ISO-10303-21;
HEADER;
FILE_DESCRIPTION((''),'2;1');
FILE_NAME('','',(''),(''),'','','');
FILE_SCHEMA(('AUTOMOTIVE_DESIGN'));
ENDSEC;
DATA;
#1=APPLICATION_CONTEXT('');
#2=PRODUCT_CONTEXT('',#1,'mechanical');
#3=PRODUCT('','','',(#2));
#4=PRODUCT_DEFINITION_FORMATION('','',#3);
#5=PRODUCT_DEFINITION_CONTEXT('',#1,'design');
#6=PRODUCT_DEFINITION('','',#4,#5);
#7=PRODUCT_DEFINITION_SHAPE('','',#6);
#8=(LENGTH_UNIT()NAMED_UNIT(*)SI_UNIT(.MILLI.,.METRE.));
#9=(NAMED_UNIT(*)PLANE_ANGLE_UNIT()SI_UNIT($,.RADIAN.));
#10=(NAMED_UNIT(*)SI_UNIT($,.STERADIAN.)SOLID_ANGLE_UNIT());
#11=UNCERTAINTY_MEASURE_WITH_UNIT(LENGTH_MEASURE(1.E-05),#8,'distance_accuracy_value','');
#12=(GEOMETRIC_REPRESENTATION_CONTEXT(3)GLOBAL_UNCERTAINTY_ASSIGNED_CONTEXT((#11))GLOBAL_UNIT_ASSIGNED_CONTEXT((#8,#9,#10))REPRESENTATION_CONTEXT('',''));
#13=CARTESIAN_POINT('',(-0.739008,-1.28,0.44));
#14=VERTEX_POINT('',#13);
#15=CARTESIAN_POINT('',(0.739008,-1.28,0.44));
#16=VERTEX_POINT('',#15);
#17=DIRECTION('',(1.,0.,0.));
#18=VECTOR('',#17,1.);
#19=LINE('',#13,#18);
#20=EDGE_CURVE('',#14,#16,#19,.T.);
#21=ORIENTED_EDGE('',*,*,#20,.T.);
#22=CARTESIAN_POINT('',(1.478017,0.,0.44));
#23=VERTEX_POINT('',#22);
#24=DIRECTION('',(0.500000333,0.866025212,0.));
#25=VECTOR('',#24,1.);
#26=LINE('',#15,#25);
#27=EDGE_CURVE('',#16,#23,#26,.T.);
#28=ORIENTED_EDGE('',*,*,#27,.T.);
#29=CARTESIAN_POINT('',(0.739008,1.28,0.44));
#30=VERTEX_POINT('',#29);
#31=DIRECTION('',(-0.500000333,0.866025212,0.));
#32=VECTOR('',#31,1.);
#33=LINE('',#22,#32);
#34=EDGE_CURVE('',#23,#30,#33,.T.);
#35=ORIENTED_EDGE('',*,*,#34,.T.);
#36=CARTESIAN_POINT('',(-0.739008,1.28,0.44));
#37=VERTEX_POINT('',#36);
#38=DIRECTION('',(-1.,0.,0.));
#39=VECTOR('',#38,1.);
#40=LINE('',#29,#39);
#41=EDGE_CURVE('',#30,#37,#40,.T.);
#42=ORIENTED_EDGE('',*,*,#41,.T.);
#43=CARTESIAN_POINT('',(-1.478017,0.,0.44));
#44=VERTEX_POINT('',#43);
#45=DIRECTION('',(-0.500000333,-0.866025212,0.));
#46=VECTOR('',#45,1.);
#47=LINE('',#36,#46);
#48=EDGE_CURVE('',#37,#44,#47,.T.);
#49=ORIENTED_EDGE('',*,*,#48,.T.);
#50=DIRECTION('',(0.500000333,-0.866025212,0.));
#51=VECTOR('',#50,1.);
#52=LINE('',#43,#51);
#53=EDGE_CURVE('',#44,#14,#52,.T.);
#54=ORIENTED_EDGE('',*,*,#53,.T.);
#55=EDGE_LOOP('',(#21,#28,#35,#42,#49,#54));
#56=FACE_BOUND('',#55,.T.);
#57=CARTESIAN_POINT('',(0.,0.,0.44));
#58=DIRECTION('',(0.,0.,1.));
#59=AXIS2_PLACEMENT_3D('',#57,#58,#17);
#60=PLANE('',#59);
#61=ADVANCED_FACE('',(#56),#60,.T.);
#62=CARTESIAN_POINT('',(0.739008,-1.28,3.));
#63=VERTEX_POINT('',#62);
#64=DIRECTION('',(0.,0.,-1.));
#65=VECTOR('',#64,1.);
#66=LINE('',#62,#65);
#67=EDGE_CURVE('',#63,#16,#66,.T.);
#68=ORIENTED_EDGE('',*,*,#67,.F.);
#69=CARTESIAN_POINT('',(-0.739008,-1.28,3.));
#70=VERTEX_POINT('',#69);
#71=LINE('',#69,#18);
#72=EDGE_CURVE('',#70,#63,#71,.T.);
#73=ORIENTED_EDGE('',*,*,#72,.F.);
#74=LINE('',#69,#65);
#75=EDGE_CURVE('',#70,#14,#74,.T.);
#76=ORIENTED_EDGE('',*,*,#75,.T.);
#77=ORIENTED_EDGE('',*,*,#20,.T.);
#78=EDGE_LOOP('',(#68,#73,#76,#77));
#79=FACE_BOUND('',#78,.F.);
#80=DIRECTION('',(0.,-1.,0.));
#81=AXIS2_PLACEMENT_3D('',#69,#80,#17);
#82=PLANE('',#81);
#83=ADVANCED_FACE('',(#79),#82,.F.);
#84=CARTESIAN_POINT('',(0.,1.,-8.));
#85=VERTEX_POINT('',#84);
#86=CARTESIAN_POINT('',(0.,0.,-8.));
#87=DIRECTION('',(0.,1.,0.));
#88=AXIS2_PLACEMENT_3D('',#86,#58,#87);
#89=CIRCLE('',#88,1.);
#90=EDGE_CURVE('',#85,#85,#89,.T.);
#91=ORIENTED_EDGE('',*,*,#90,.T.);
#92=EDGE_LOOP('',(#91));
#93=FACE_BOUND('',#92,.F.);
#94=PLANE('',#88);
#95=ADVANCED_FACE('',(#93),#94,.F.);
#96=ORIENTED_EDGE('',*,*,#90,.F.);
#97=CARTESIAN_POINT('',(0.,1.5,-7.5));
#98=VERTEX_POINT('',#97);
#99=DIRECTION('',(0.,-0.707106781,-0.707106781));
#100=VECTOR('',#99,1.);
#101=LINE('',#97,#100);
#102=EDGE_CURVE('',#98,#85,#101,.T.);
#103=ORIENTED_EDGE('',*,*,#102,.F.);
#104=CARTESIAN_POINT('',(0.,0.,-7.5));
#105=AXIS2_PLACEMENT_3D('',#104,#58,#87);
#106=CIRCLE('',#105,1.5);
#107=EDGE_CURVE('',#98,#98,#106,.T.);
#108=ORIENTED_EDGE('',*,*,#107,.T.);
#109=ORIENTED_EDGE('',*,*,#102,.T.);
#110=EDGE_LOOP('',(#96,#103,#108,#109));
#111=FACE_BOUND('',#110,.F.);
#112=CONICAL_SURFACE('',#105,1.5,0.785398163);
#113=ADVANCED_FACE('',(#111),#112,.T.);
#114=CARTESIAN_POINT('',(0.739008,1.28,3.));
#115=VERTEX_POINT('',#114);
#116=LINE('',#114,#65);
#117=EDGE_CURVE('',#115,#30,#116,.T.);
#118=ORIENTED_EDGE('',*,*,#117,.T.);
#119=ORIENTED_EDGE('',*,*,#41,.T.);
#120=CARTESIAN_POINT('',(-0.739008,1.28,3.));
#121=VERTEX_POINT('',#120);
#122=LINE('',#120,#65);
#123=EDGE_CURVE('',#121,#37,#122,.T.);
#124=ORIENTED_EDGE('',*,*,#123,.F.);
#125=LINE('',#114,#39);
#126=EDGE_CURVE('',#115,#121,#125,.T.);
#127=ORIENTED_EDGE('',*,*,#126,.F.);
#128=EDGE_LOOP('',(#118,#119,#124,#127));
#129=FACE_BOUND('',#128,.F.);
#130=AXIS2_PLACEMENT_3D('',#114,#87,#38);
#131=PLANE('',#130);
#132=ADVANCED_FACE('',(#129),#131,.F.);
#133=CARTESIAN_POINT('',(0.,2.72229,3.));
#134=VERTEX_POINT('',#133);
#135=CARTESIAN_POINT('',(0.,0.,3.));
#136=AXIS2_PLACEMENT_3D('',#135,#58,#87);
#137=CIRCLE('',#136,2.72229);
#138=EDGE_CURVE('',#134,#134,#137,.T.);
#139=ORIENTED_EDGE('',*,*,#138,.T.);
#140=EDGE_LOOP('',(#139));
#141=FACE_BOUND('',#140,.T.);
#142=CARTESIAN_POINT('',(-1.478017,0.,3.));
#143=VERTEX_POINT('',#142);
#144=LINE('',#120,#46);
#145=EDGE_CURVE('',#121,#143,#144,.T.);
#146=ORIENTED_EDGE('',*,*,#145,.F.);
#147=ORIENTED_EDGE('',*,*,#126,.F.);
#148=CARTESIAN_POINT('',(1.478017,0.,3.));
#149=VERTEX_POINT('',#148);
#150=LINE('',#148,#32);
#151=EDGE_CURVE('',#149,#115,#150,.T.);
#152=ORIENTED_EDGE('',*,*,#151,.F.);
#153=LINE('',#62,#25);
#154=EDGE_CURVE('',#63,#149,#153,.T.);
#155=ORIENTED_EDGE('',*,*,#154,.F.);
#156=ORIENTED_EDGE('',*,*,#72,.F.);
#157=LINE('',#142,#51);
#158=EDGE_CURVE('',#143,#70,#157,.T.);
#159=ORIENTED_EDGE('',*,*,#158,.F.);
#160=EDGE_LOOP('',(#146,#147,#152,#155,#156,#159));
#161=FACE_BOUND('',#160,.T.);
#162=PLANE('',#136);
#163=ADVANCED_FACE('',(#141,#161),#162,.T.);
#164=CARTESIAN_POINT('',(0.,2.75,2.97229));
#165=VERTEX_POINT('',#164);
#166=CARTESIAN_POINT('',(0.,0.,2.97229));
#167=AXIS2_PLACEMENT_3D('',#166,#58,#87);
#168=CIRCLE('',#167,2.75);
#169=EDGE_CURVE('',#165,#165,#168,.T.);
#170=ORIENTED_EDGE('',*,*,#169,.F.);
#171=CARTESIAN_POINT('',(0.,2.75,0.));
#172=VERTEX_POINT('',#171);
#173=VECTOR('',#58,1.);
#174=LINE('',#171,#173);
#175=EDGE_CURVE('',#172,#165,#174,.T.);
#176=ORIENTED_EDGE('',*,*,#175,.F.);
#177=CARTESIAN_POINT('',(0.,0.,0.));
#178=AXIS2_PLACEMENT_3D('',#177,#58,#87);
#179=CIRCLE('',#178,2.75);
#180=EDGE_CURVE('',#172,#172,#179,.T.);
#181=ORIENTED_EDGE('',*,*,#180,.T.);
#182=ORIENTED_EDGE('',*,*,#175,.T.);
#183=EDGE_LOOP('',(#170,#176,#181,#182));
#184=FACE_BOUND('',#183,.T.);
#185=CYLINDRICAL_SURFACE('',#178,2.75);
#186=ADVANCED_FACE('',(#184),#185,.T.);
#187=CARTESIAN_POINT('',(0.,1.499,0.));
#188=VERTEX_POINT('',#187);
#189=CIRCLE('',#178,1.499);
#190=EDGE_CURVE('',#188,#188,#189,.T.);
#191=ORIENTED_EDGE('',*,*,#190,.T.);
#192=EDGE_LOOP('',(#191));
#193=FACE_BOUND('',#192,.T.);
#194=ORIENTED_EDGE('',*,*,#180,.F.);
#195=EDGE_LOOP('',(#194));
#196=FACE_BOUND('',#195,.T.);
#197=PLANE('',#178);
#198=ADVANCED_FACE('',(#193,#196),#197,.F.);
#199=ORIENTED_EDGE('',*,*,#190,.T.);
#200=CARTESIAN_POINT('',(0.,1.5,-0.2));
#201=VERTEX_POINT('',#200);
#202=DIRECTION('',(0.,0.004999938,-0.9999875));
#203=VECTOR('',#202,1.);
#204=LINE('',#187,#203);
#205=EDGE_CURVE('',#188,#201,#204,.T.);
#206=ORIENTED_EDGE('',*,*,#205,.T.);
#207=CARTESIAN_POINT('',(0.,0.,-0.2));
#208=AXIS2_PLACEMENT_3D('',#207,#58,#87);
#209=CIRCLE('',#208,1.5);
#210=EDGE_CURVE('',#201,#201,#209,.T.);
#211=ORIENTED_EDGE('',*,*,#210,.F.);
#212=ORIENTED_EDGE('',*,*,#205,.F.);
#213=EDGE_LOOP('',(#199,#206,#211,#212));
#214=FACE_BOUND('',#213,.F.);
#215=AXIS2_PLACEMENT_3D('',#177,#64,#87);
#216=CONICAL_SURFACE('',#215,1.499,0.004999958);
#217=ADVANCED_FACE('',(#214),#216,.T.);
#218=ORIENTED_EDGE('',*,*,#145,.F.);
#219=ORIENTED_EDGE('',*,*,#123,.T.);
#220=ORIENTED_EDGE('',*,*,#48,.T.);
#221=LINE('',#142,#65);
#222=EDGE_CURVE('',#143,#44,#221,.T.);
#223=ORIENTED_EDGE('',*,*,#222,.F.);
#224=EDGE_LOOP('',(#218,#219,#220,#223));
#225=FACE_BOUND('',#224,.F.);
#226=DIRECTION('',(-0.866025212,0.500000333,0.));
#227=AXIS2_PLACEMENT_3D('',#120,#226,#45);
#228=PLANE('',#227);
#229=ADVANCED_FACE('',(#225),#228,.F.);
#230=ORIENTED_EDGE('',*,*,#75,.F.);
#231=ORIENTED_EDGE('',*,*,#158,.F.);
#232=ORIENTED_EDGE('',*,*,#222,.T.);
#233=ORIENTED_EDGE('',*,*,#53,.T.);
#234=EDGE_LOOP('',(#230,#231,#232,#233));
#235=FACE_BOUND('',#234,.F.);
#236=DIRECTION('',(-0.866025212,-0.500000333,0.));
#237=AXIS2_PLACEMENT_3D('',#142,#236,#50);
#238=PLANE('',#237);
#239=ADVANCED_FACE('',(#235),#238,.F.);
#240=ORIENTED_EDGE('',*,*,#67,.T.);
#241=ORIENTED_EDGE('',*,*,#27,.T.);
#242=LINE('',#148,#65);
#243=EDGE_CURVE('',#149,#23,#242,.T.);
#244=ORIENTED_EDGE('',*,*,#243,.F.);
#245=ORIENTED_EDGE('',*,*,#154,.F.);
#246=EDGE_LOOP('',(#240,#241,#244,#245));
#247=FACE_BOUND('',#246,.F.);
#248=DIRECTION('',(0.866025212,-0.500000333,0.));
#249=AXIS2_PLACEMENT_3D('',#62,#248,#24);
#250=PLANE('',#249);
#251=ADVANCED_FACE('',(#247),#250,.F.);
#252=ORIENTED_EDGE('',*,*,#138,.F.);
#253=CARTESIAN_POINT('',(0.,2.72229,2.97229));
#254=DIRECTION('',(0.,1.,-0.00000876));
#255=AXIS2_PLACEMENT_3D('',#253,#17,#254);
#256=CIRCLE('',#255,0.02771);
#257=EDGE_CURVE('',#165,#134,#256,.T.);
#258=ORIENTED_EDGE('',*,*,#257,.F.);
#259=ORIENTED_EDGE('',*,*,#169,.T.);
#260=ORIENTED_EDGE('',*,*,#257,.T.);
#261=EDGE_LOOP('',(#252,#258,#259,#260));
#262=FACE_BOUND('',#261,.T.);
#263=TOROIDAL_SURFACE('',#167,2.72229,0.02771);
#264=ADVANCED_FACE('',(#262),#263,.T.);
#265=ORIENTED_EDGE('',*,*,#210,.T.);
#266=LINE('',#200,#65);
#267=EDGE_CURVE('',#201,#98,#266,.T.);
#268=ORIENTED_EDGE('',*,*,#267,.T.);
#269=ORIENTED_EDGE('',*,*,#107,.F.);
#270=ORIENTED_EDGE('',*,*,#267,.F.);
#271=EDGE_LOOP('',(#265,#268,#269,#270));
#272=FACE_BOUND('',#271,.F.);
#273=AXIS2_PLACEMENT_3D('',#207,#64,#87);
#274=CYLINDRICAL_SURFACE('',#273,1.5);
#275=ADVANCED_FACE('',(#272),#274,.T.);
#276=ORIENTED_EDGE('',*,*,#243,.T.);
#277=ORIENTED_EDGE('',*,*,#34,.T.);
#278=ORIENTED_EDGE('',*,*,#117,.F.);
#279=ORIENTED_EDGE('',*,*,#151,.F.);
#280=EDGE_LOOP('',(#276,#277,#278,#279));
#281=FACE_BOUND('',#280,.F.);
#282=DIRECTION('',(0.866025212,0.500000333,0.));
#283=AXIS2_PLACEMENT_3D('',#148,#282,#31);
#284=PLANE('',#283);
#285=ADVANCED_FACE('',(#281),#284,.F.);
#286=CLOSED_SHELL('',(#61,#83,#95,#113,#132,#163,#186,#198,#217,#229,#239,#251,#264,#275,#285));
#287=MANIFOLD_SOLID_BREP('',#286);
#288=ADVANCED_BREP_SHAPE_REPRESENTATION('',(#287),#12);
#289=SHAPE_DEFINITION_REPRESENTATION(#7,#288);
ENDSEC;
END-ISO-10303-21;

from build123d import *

# Parameters (mm, degrees)
POCKET_DEPTH = 2.56


with BuildPart() as part:
    # Sketch → Revolve (revolve)
    with BuildSketch(Plane.YZ):
        with BuildLine():
            Line((1.499, 0), (2.75, 0))
            Line((2.75, 0), (2.75, 2.97229))
            ThreePointArc((2.75, 2.97229), (2.741884, 2.991884), (2.72229, 3))
            Line((2.72229, 3), (0, 3))
            Line((0, -8), (0, 3))
            Line((1, -8), (0, -8))
            Line((1.5, -7.5), (1, -8))
            Line((1.5, -0.2), (1.5, -7.5))
            Line((1.499, 0), (1.5, -0.2))
        make_face()
    revolve(axis=Axis((0, 0, 0), (0, 0, 1)))

    # Sketch001 → Pocket (cut)
    with BuildSketch(Plane.XY.offset(3)):
        Polygon((1.478017, 0), (0.739008, 1.28), (-0.739008, 1.28), (-1.478017, 0), (-0.739008, -1.28), (0.739008, -1.28), align=None)
    extrude(amount=-POCKET_DEPTH, mode=Mode.SUBTRACT)


solid = part.part
